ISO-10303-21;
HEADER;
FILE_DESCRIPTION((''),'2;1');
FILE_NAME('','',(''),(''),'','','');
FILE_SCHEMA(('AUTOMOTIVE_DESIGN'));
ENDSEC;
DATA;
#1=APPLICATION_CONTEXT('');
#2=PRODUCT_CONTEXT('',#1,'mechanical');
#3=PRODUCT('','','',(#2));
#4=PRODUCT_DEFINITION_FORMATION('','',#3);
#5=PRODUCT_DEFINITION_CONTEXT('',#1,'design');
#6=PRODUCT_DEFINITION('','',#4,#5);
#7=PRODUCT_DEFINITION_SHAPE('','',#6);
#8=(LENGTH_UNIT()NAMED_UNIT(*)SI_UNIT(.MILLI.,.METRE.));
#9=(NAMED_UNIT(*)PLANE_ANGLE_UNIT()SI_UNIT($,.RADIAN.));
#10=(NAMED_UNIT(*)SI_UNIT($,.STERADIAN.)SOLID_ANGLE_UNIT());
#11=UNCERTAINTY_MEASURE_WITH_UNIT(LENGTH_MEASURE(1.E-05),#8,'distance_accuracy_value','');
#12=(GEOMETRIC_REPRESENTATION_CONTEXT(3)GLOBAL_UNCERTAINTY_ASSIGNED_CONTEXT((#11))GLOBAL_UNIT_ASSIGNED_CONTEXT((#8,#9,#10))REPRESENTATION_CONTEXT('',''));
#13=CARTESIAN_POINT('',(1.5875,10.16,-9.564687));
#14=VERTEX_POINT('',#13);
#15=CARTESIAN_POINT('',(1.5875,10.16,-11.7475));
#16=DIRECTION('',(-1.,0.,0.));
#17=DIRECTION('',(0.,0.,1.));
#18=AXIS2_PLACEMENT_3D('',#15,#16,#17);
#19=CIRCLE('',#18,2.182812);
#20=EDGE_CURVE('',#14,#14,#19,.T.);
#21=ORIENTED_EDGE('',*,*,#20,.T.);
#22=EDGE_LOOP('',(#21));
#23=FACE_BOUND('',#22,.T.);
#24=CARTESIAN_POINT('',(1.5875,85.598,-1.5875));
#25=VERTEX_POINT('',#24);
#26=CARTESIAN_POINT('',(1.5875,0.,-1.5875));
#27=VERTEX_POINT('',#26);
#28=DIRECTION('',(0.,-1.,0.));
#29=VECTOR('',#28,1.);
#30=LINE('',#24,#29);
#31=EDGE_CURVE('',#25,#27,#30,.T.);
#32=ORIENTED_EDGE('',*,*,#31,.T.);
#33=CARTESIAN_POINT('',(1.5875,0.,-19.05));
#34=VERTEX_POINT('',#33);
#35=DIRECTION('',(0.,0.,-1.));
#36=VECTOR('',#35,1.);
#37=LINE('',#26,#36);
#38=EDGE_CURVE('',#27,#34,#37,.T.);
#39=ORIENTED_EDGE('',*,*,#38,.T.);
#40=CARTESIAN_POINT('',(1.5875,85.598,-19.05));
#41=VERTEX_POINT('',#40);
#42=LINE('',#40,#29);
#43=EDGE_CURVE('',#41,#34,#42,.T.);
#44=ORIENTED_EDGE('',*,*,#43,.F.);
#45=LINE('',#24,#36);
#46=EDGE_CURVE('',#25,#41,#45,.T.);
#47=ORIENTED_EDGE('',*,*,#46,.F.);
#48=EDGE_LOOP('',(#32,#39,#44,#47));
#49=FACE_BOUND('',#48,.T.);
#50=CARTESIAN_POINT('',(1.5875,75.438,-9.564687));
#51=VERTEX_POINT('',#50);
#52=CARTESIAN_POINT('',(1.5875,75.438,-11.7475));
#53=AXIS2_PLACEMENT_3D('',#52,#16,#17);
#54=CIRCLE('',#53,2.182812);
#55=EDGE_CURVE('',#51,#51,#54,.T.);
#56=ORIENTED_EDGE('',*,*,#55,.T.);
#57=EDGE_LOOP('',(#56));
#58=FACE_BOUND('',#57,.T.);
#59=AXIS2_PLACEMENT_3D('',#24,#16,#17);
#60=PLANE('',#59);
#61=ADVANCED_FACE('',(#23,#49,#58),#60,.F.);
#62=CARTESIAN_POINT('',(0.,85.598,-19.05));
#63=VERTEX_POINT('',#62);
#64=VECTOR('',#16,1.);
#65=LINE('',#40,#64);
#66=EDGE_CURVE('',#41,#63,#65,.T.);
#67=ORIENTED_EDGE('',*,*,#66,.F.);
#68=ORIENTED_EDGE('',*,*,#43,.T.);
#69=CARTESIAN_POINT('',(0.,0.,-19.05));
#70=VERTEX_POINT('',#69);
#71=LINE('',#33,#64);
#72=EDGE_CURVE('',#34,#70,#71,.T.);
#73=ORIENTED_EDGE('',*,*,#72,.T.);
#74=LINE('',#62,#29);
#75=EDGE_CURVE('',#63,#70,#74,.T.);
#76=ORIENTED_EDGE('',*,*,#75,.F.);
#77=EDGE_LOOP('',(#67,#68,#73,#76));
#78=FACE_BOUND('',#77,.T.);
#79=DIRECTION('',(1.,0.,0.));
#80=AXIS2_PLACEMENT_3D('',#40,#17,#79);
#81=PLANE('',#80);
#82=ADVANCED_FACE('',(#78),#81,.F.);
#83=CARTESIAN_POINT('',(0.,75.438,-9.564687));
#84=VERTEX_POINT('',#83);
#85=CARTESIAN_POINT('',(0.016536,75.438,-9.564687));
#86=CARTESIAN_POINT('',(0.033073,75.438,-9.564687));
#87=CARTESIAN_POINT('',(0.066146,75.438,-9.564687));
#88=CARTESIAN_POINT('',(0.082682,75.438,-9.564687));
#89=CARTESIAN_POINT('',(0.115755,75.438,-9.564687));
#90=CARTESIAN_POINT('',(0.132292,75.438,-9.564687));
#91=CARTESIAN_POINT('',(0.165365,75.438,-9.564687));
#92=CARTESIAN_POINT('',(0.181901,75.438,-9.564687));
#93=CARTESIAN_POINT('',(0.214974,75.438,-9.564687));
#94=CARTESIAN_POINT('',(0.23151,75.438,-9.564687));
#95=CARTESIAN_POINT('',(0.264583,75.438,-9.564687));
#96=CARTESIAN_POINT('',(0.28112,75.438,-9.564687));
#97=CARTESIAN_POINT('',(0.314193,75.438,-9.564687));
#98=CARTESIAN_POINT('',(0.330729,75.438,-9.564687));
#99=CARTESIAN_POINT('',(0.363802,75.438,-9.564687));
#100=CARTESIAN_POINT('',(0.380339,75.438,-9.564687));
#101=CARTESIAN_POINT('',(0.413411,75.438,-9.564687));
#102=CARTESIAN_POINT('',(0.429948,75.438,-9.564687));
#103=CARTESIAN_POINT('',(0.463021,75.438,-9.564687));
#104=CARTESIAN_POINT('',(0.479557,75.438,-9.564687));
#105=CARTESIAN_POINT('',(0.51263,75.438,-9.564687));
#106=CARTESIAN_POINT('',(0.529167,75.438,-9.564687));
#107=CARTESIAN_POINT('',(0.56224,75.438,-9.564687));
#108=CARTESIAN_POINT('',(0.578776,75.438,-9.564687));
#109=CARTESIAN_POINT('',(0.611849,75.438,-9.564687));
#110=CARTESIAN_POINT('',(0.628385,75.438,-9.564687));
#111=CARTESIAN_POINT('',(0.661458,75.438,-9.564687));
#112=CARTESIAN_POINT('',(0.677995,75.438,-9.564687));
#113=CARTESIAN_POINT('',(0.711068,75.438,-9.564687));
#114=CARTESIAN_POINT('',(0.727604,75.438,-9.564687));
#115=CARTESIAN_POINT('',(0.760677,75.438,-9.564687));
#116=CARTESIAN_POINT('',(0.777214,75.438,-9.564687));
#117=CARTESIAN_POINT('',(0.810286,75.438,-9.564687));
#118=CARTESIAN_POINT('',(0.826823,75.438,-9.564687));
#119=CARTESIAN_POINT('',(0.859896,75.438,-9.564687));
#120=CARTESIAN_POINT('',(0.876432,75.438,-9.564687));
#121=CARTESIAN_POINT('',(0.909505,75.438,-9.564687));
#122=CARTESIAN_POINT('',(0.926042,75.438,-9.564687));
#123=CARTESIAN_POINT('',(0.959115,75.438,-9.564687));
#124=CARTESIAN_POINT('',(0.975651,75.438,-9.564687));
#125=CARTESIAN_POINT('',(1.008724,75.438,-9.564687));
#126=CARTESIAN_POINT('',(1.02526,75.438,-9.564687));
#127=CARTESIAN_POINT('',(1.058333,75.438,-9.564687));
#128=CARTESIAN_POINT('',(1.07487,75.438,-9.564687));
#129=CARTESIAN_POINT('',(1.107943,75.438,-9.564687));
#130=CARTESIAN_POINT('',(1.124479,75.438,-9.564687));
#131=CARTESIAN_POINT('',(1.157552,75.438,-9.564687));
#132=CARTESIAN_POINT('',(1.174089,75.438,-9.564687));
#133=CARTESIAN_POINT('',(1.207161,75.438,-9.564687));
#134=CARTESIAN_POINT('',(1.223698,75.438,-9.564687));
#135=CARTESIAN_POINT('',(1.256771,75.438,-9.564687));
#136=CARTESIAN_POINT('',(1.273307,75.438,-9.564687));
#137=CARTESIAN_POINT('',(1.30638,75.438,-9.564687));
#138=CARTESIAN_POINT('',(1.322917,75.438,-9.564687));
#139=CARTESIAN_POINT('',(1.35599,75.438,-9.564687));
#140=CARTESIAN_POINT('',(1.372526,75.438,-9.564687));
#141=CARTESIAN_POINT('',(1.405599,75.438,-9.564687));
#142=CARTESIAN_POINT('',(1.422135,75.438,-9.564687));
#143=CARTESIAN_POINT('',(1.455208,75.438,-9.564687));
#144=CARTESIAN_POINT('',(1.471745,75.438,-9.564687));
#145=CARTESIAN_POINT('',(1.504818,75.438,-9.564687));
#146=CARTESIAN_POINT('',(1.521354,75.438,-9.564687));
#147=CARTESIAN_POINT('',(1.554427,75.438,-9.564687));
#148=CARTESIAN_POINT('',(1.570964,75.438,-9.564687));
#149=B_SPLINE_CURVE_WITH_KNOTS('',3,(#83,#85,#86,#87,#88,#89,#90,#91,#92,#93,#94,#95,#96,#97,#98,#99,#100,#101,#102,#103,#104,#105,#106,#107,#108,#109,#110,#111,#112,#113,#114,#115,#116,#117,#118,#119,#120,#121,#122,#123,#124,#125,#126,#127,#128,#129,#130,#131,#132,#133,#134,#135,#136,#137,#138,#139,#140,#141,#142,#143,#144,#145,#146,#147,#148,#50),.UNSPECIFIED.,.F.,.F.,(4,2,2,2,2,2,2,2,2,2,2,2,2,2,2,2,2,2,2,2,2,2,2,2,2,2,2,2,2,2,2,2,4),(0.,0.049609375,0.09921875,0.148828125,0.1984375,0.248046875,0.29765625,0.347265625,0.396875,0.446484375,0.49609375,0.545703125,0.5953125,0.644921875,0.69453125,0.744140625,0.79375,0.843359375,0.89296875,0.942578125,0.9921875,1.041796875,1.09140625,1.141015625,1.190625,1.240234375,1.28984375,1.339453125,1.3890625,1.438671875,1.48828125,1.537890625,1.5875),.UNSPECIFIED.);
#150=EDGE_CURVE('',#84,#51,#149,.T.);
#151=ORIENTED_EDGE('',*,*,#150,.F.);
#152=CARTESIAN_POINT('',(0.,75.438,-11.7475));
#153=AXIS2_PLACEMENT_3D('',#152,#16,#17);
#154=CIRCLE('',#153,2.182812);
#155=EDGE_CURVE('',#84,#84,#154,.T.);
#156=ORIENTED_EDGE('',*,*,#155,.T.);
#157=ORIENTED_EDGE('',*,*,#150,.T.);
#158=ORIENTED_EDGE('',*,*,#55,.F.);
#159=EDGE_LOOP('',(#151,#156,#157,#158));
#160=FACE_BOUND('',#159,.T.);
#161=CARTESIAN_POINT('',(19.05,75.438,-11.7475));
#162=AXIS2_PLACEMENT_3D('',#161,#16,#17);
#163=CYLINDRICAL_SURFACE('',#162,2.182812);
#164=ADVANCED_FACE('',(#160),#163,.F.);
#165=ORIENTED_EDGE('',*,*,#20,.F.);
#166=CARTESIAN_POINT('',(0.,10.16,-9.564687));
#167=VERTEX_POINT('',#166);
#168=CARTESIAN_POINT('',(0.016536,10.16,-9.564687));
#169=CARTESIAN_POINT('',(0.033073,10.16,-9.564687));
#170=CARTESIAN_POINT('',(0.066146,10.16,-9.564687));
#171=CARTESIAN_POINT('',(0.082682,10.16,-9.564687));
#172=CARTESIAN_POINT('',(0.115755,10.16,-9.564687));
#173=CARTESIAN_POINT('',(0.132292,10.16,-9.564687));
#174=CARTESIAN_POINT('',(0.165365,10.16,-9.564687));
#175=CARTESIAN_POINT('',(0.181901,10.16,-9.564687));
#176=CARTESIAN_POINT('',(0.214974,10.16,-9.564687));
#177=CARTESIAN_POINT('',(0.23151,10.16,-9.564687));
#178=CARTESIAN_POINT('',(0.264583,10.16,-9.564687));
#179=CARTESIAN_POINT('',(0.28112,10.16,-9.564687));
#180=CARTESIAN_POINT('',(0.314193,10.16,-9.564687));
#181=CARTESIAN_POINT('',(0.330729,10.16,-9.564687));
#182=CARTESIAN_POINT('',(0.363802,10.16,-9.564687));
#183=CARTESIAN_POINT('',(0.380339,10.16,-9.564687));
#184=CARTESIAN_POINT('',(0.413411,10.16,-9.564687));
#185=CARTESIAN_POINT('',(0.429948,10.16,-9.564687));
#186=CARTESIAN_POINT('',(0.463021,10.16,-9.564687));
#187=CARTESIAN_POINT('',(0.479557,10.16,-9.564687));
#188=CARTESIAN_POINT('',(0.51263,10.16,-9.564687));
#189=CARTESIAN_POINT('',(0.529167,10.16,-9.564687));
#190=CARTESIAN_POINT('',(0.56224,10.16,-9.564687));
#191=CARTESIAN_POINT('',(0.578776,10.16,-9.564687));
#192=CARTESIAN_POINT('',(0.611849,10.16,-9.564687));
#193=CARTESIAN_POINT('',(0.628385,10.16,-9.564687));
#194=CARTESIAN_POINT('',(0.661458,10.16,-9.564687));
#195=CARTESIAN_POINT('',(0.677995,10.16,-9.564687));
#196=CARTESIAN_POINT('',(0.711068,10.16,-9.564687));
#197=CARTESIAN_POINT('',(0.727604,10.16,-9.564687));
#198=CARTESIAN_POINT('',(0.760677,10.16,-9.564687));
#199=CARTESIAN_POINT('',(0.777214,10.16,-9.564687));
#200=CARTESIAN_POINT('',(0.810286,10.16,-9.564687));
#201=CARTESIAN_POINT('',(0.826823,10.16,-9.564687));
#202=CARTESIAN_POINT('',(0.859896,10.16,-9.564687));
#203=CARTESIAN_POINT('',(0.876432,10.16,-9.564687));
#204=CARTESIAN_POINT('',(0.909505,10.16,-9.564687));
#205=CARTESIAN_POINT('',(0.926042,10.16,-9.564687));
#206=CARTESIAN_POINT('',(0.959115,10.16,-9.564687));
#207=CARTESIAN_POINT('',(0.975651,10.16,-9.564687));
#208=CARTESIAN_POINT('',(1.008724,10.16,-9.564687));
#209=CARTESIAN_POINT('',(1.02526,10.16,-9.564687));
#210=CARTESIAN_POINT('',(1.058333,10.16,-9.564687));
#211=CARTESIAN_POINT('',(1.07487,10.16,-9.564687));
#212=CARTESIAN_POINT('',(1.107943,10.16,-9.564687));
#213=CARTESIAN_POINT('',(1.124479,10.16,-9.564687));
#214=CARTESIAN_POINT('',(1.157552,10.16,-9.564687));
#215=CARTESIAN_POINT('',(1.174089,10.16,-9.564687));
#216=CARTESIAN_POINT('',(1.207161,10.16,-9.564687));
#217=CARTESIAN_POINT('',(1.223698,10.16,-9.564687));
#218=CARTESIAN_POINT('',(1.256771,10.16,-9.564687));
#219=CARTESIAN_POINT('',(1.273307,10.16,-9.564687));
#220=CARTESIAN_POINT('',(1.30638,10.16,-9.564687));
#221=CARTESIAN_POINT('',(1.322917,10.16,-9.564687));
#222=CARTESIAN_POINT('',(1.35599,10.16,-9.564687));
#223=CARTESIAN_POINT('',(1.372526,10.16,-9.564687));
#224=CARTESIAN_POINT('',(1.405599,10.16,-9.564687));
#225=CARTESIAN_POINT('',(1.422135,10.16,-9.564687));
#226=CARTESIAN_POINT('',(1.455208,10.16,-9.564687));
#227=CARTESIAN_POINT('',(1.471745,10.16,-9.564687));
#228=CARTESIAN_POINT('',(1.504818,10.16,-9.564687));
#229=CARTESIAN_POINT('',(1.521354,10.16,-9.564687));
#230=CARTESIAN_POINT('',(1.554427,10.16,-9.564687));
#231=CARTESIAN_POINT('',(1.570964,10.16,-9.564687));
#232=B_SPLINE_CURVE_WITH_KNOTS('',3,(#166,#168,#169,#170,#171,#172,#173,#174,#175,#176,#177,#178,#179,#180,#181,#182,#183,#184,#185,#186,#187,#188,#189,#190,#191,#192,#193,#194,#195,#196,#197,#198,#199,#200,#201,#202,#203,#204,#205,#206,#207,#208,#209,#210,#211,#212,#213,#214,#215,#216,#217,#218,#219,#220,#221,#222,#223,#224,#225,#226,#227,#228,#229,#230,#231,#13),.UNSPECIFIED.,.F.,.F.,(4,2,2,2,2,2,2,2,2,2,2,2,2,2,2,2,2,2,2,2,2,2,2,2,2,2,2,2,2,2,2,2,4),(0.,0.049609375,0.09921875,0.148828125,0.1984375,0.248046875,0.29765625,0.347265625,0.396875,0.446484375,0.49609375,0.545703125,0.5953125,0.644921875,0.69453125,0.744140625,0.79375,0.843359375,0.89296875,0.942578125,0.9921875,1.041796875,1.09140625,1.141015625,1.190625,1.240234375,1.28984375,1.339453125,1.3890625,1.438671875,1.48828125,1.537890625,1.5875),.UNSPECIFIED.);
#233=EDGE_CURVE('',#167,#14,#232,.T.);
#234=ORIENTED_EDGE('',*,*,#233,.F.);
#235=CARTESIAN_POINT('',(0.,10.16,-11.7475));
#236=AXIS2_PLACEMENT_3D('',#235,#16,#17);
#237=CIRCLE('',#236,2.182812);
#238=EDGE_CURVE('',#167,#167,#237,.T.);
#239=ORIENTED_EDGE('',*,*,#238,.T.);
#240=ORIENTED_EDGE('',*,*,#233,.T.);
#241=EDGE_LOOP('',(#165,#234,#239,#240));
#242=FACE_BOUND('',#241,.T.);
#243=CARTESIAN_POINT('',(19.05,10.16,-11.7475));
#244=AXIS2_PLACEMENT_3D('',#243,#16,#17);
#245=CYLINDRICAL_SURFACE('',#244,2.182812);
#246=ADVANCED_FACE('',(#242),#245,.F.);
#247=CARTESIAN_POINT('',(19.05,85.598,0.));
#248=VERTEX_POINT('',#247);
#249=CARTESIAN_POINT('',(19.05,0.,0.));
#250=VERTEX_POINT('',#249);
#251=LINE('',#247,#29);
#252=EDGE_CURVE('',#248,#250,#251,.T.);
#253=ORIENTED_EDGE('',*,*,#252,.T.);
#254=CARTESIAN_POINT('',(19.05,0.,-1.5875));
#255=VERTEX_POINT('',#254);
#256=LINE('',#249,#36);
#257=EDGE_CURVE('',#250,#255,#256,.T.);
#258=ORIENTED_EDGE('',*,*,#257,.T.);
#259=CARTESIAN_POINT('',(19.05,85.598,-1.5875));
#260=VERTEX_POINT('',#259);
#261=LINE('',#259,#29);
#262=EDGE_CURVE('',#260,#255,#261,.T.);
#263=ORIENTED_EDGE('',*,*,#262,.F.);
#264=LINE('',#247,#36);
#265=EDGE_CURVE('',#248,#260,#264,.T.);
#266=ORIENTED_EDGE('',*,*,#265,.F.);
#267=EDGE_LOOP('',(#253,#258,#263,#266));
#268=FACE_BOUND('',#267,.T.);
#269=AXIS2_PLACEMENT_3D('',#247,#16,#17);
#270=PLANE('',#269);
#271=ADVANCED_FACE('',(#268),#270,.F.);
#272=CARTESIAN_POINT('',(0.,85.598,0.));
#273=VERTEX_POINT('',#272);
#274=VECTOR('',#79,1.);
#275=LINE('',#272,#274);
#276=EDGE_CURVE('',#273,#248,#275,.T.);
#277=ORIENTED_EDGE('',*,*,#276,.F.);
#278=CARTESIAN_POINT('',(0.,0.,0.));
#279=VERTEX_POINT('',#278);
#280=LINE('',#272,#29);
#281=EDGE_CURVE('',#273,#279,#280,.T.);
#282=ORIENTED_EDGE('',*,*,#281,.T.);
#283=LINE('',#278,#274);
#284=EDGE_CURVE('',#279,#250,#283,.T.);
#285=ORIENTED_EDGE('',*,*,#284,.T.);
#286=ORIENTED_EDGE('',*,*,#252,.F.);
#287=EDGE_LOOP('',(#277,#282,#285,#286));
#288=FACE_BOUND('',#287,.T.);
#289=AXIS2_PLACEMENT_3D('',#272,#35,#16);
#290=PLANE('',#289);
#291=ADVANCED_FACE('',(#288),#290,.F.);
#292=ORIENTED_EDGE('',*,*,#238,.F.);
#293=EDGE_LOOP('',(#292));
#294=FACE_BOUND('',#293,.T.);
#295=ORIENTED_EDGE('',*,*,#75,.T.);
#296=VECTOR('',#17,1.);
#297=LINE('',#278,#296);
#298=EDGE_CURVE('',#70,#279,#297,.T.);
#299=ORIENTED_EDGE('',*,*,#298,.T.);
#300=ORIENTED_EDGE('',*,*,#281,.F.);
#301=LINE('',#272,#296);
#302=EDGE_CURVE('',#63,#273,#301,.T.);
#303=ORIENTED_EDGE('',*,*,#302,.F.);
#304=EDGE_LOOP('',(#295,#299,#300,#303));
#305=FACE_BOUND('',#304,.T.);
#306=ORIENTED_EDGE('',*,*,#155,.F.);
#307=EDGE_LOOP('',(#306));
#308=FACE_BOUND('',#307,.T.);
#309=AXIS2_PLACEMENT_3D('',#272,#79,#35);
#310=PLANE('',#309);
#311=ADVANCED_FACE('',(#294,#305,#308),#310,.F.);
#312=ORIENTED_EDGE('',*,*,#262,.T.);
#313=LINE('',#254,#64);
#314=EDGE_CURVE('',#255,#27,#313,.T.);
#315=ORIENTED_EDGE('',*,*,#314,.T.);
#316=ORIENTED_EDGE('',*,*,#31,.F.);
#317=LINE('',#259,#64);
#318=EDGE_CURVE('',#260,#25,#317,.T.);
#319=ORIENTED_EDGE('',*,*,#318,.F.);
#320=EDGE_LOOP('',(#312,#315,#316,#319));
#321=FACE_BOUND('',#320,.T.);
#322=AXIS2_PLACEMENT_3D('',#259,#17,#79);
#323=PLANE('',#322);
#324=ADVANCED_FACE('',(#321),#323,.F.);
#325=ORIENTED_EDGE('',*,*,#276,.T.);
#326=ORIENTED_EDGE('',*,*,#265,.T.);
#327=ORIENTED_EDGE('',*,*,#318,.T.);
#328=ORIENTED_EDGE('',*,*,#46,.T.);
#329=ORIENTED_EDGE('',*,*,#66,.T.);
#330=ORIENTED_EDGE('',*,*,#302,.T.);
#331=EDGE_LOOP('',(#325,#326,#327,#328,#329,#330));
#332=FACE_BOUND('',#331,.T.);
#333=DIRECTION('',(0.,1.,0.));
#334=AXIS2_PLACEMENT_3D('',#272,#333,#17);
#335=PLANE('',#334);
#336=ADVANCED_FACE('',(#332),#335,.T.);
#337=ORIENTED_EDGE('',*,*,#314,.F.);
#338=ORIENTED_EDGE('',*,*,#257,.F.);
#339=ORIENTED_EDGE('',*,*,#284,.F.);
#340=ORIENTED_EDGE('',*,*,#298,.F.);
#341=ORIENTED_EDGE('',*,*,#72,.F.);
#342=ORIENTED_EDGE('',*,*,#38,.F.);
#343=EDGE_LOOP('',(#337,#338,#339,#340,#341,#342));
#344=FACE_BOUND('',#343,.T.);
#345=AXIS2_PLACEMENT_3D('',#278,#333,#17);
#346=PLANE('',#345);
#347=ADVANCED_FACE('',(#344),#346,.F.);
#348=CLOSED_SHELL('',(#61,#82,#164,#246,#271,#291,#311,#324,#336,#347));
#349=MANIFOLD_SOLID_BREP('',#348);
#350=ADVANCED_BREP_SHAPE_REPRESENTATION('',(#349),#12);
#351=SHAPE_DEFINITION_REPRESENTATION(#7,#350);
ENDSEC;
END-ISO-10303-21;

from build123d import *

# Parameters (mm, degrees)
BOSS_EXTRUDE1_DEPTH = 85.598
SKETCH2_R           = 2.1828125
CUT_EXTRUDE1_DEPTH  = 90.737520603


with BuildPart() as part:
    # Sketch1 → Boss-Extrude1 (new body)
    with BuildSketch(Plane(origin=(0, 0, 0), x_dir=(1, 0, 0), z_dir=(0, 1, 0))):
        Polygon((0, 0), (0, 19.05), (1.5875, 19.05), (1.5875, 1.5875), (19.05, 1.5875), (19.05, 0), align=None)
    extrude(amount=BOSS_EXTRUDE1_DEPTH)

    # Sketch2 → Cut-Extrude1 (cut, through all)
    with BuildSketch(Plane.ZY):
        with Locations((-11.7475, 75.438)):
            Circle(SKETCH2_R)
        with Locations((-11.7475, 10.16)):
            Circle(SKETCH2_R)
    extrude(amount=-CUT_EXTRUDE1_DEPTH, mode=Mode.SUBTRACT)


solid = part.part
